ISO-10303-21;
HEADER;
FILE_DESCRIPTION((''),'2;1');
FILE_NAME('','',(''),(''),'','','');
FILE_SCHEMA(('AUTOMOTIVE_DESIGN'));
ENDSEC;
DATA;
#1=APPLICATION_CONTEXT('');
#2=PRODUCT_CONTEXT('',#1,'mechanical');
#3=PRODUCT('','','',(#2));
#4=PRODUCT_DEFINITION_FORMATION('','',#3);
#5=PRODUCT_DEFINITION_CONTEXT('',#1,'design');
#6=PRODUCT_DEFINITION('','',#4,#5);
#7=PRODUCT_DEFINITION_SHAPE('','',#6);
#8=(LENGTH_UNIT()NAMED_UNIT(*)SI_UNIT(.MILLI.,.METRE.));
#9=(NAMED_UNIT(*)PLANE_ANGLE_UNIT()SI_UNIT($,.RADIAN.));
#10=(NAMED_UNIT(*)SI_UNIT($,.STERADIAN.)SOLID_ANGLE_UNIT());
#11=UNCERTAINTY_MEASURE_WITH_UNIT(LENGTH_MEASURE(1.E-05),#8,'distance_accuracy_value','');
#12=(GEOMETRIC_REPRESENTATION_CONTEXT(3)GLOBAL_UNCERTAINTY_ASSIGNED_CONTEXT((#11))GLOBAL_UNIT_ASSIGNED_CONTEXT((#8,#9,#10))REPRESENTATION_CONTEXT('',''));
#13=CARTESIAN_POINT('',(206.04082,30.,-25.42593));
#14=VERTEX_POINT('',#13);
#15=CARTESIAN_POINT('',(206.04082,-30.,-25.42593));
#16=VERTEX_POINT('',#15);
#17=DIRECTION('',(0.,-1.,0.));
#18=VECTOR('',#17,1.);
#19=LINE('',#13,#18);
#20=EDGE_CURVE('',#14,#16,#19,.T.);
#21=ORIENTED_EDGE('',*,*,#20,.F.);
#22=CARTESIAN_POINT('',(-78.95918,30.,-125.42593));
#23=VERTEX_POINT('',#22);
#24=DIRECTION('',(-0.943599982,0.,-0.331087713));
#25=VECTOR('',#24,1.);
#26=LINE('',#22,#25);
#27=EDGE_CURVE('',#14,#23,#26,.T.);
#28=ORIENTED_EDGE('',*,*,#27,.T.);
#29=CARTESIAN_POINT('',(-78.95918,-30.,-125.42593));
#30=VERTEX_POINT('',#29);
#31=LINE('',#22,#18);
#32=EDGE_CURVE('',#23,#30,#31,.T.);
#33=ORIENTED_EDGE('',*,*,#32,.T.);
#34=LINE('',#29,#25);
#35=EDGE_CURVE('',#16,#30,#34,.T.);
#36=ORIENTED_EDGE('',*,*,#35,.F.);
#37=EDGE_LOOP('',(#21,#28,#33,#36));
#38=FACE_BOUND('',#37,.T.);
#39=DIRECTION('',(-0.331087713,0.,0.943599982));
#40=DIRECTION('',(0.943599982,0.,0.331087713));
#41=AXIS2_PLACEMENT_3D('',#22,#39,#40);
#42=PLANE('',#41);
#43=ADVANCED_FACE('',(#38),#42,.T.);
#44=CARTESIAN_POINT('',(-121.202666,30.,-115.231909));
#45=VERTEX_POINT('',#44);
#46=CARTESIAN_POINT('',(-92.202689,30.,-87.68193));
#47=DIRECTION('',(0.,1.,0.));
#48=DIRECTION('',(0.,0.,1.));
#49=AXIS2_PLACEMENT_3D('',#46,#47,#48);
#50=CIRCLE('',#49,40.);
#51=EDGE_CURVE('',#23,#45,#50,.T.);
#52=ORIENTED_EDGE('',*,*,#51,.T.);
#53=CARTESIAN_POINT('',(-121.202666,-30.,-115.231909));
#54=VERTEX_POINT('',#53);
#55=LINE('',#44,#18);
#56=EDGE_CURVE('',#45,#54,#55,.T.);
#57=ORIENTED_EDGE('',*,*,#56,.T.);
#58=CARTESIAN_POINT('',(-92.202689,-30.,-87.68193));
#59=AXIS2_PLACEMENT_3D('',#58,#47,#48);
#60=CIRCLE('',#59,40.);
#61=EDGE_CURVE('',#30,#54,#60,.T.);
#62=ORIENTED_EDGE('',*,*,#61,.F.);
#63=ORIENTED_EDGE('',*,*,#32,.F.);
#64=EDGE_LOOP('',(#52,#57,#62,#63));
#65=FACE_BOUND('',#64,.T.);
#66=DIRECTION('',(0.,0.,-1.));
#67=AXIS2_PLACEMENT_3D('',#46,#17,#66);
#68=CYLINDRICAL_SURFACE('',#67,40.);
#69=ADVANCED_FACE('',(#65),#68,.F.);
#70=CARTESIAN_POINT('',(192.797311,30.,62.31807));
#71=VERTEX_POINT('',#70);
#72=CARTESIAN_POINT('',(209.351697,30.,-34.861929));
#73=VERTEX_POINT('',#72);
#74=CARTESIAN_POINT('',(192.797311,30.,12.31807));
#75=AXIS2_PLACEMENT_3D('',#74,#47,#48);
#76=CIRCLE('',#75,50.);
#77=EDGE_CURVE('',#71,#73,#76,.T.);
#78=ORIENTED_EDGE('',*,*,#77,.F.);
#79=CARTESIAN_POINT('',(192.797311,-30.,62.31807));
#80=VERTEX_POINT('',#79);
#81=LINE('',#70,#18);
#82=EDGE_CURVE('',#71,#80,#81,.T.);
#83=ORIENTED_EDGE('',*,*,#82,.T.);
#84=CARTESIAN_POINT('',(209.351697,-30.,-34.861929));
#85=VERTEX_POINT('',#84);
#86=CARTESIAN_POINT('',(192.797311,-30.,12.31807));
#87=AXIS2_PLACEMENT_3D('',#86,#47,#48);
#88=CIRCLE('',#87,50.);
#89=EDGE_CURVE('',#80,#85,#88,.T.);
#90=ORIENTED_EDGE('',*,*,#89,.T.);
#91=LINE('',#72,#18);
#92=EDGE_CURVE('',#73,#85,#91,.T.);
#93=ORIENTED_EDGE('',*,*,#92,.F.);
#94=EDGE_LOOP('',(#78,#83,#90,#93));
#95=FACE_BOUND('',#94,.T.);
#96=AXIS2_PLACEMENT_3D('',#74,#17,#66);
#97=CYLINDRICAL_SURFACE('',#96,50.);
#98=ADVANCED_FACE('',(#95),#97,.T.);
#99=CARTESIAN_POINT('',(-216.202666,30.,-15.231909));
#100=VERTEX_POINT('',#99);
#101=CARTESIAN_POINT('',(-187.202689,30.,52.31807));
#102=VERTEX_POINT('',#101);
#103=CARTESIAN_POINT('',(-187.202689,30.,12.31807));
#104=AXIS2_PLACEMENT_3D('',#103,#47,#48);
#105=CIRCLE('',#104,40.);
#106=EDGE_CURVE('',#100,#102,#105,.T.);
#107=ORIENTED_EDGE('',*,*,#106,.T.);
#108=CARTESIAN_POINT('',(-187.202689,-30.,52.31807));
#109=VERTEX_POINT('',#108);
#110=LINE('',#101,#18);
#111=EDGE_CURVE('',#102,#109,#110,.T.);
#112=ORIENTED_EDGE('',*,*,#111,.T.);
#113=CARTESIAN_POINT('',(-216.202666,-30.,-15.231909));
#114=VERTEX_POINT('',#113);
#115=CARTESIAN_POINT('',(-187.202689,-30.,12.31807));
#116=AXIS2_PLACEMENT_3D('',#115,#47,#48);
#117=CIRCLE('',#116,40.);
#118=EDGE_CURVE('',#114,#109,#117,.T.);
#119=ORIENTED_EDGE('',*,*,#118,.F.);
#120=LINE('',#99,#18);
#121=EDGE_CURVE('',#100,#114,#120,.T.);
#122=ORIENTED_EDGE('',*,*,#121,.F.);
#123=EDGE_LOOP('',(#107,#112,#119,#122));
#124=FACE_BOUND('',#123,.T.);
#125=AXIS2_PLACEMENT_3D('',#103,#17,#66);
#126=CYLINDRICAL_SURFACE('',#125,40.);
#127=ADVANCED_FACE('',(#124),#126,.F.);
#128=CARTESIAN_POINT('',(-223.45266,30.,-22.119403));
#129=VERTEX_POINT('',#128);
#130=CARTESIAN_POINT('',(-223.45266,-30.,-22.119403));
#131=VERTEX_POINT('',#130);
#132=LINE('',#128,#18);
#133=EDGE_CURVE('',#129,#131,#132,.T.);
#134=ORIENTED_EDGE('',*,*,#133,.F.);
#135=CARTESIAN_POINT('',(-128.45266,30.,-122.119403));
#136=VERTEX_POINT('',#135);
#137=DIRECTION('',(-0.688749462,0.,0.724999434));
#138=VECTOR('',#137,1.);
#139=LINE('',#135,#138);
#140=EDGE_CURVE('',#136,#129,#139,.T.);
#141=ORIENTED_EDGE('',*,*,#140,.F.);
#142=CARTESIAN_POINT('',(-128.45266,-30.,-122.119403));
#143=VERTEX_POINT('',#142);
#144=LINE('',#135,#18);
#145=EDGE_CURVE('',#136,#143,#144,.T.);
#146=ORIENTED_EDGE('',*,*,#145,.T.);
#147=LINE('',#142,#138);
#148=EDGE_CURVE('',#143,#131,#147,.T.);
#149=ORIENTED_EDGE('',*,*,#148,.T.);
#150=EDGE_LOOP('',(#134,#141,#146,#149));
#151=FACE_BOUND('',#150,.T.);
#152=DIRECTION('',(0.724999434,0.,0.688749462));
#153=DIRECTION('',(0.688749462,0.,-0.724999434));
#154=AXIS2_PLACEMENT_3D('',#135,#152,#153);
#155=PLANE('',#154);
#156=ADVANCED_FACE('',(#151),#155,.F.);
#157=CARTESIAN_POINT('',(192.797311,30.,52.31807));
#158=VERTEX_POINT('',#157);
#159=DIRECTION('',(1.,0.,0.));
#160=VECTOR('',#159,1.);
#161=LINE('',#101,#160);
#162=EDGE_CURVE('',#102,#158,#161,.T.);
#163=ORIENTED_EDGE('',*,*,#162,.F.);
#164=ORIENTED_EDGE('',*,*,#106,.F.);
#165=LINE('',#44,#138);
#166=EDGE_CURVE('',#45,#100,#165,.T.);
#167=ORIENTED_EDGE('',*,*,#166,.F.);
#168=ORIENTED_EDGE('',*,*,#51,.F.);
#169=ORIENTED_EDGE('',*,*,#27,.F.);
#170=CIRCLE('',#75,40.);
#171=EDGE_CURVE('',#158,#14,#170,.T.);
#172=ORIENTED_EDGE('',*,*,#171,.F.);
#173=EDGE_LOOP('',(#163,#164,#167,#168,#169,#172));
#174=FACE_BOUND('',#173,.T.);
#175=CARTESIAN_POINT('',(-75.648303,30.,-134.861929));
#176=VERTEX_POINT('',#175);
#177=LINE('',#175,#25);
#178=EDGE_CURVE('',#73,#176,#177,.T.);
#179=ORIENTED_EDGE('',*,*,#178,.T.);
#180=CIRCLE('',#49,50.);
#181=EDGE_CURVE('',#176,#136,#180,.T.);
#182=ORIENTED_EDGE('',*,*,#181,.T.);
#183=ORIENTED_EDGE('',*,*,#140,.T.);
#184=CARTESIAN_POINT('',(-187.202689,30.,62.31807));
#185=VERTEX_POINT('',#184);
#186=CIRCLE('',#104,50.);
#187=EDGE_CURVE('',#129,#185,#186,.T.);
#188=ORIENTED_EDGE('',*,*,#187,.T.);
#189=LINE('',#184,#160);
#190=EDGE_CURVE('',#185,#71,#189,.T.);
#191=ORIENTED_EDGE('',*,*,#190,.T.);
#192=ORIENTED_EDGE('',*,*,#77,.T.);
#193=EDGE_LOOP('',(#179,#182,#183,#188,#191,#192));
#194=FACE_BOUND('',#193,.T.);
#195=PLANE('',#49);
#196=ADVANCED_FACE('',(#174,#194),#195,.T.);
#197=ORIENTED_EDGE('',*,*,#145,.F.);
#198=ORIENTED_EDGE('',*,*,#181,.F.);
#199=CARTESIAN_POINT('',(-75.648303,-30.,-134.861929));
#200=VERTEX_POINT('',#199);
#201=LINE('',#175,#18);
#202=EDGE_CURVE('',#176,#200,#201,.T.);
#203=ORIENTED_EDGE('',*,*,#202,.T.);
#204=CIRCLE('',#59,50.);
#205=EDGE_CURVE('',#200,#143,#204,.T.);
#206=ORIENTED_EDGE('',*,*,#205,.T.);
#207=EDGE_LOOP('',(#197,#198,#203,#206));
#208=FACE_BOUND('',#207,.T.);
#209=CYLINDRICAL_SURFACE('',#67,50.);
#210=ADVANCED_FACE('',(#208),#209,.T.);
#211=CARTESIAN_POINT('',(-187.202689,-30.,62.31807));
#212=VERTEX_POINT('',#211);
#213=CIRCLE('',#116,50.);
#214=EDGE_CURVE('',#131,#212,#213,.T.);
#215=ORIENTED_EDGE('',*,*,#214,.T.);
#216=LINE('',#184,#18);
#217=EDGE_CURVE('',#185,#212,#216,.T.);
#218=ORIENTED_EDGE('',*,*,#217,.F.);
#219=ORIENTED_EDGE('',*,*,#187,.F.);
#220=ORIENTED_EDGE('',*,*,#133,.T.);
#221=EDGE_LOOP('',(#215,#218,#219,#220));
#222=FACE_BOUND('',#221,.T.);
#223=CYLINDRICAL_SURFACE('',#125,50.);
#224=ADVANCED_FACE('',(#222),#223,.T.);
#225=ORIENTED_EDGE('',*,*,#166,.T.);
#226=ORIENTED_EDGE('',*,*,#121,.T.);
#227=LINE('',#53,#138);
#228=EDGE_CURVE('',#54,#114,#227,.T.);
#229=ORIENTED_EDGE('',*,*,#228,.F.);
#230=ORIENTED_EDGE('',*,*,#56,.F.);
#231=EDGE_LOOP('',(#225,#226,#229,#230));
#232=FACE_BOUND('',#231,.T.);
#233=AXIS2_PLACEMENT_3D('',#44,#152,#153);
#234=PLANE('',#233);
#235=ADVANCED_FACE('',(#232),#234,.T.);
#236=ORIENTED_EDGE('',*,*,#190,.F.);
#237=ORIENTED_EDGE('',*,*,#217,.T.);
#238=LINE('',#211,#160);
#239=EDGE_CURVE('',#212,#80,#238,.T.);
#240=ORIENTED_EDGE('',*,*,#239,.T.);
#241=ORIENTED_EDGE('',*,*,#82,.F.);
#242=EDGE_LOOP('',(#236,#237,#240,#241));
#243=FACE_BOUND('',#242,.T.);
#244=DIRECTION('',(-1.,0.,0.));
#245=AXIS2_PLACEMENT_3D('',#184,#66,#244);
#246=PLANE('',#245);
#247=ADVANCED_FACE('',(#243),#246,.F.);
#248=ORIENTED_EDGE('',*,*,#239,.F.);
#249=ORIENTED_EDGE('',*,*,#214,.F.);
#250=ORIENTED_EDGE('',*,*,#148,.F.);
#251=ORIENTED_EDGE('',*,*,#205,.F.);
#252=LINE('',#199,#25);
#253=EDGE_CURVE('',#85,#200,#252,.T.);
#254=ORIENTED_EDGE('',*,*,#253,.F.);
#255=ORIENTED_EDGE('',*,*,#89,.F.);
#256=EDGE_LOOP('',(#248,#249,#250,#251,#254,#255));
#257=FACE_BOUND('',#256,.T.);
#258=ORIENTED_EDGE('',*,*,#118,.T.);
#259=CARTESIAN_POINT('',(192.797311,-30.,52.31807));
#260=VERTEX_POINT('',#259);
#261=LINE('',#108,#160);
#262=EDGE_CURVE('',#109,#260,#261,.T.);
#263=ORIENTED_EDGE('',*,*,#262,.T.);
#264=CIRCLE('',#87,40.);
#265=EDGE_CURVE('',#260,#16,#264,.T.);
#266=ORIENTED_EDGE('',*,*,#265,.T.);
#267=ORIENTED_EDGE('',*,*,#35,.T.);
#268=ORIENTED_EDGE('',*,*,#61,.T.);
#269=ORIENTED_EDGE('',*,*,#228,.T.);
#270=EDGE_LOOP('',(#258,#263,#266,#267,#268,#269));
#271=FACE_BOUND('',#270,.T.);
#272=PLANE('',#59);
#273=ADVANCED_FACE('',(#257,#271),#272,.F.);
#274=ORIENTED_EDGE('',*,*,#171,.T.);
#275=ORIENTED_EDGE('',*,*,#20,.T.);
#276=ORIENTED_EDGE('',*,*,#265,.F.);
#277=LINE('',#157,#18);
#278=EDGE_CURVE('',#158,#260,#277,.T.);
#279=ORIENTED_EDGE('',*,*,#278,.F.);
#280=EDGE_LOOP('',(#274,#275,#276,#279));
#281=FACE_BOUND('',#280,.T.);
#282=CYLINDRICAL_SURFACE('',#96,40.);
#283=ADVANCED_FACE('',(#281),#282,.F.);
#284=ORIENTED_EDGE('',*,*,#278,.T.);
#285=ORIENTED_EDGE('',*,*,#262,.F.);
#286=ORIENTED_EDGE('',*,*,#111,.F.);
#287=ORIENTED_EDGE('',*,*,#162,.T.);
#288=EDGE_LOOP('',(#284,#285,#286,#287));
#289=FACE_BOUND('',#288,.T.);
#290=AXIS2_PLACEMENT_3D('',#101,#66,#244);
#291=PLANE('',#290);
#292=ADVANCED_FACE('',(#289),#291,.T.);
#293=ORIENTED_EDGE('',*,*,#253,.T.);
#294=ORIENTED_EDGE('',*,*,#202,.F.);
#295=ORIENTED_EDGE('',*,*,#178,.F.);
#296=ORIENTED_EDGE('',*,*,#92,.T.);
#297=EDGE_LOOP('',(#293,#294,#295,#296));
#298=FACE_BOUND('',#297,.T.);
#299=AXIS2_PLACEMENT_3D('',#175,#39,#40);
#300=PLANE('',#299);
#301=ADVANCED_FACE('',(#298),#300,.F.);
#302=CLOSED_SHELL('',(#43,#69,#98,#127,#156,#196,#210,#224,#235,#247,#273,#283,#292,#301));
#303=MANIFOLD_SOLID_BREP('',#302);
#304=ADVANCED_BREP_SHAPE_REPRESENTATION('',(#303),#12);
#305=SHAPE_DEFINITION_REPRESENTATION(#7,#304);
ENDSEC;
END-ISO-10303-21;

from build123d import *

# Parameters (mm, degrees)
EXTRUDE_1_DEPTH = 15
SCALE1_SCALE    = 2


with BuildPart() as part:
    # 草图1 → 凸台-拉伸1 (new, symmetric)
    with BuildSketch(Plane(origin=(0, 0, 0), x_dir=(1, 0, 0), z_dir=(0, 1, 0))):
        with BuildLine():
            Line((-39.222807174, 73.589999553), (103.277192826, 23.589999553))
            ThreePointArc((103.277192826, 23.589999553), (119.644979091, -4.198214571), (95, -25))
            Line((95, -25), (-95, -25))
            ThreePointArc((-95, -25), (-117.972466277, -9.862342174), (-113.12498584, 17.218736548))
            Line((-113.12498584, 17.218736548), (-65.62498584, 67.218736548))
            ThreePointArc((-65.62498584, 67.218736548), (-53.36455496, 74.302407188), (-39.222807174, 73.589999553))
        make_face()
        with BuildLine():
            Line((-61.999988672, 63.774989238), (-109.499988672, 13.774989238))
            ThreePointArc((-109.499988672, 13.774989238), (-113.377973022, -7.889873739), (-95, -20))
            Line((-95, -20), (95, -20))
            ThreePointArc((95, -20), (114.715983273, -3.358571657), (101.621754261, 18.871999643))
            Line((101.621754261, 18.871999643), (-40.878245739, 68.871999643))
            ThreePointArc((-40.878245739, 68.871999643), (-52.191643968, 69.44192575), (-61.999988672, 63.774989238))
        make_face(mode=Mode.SUBTRACT)
    extrude(amount=EXTRUDE_1_DEPTH, both=True)


with BuildPart() as part_1:
    # Scale1: scaled about (-2.797311239, 0, -12.318069734)
    add(part.part.scale(SCALE1_SCALE).moved(Location((2.797311239, 0, 12.318069734))))


solid = part_1.part
